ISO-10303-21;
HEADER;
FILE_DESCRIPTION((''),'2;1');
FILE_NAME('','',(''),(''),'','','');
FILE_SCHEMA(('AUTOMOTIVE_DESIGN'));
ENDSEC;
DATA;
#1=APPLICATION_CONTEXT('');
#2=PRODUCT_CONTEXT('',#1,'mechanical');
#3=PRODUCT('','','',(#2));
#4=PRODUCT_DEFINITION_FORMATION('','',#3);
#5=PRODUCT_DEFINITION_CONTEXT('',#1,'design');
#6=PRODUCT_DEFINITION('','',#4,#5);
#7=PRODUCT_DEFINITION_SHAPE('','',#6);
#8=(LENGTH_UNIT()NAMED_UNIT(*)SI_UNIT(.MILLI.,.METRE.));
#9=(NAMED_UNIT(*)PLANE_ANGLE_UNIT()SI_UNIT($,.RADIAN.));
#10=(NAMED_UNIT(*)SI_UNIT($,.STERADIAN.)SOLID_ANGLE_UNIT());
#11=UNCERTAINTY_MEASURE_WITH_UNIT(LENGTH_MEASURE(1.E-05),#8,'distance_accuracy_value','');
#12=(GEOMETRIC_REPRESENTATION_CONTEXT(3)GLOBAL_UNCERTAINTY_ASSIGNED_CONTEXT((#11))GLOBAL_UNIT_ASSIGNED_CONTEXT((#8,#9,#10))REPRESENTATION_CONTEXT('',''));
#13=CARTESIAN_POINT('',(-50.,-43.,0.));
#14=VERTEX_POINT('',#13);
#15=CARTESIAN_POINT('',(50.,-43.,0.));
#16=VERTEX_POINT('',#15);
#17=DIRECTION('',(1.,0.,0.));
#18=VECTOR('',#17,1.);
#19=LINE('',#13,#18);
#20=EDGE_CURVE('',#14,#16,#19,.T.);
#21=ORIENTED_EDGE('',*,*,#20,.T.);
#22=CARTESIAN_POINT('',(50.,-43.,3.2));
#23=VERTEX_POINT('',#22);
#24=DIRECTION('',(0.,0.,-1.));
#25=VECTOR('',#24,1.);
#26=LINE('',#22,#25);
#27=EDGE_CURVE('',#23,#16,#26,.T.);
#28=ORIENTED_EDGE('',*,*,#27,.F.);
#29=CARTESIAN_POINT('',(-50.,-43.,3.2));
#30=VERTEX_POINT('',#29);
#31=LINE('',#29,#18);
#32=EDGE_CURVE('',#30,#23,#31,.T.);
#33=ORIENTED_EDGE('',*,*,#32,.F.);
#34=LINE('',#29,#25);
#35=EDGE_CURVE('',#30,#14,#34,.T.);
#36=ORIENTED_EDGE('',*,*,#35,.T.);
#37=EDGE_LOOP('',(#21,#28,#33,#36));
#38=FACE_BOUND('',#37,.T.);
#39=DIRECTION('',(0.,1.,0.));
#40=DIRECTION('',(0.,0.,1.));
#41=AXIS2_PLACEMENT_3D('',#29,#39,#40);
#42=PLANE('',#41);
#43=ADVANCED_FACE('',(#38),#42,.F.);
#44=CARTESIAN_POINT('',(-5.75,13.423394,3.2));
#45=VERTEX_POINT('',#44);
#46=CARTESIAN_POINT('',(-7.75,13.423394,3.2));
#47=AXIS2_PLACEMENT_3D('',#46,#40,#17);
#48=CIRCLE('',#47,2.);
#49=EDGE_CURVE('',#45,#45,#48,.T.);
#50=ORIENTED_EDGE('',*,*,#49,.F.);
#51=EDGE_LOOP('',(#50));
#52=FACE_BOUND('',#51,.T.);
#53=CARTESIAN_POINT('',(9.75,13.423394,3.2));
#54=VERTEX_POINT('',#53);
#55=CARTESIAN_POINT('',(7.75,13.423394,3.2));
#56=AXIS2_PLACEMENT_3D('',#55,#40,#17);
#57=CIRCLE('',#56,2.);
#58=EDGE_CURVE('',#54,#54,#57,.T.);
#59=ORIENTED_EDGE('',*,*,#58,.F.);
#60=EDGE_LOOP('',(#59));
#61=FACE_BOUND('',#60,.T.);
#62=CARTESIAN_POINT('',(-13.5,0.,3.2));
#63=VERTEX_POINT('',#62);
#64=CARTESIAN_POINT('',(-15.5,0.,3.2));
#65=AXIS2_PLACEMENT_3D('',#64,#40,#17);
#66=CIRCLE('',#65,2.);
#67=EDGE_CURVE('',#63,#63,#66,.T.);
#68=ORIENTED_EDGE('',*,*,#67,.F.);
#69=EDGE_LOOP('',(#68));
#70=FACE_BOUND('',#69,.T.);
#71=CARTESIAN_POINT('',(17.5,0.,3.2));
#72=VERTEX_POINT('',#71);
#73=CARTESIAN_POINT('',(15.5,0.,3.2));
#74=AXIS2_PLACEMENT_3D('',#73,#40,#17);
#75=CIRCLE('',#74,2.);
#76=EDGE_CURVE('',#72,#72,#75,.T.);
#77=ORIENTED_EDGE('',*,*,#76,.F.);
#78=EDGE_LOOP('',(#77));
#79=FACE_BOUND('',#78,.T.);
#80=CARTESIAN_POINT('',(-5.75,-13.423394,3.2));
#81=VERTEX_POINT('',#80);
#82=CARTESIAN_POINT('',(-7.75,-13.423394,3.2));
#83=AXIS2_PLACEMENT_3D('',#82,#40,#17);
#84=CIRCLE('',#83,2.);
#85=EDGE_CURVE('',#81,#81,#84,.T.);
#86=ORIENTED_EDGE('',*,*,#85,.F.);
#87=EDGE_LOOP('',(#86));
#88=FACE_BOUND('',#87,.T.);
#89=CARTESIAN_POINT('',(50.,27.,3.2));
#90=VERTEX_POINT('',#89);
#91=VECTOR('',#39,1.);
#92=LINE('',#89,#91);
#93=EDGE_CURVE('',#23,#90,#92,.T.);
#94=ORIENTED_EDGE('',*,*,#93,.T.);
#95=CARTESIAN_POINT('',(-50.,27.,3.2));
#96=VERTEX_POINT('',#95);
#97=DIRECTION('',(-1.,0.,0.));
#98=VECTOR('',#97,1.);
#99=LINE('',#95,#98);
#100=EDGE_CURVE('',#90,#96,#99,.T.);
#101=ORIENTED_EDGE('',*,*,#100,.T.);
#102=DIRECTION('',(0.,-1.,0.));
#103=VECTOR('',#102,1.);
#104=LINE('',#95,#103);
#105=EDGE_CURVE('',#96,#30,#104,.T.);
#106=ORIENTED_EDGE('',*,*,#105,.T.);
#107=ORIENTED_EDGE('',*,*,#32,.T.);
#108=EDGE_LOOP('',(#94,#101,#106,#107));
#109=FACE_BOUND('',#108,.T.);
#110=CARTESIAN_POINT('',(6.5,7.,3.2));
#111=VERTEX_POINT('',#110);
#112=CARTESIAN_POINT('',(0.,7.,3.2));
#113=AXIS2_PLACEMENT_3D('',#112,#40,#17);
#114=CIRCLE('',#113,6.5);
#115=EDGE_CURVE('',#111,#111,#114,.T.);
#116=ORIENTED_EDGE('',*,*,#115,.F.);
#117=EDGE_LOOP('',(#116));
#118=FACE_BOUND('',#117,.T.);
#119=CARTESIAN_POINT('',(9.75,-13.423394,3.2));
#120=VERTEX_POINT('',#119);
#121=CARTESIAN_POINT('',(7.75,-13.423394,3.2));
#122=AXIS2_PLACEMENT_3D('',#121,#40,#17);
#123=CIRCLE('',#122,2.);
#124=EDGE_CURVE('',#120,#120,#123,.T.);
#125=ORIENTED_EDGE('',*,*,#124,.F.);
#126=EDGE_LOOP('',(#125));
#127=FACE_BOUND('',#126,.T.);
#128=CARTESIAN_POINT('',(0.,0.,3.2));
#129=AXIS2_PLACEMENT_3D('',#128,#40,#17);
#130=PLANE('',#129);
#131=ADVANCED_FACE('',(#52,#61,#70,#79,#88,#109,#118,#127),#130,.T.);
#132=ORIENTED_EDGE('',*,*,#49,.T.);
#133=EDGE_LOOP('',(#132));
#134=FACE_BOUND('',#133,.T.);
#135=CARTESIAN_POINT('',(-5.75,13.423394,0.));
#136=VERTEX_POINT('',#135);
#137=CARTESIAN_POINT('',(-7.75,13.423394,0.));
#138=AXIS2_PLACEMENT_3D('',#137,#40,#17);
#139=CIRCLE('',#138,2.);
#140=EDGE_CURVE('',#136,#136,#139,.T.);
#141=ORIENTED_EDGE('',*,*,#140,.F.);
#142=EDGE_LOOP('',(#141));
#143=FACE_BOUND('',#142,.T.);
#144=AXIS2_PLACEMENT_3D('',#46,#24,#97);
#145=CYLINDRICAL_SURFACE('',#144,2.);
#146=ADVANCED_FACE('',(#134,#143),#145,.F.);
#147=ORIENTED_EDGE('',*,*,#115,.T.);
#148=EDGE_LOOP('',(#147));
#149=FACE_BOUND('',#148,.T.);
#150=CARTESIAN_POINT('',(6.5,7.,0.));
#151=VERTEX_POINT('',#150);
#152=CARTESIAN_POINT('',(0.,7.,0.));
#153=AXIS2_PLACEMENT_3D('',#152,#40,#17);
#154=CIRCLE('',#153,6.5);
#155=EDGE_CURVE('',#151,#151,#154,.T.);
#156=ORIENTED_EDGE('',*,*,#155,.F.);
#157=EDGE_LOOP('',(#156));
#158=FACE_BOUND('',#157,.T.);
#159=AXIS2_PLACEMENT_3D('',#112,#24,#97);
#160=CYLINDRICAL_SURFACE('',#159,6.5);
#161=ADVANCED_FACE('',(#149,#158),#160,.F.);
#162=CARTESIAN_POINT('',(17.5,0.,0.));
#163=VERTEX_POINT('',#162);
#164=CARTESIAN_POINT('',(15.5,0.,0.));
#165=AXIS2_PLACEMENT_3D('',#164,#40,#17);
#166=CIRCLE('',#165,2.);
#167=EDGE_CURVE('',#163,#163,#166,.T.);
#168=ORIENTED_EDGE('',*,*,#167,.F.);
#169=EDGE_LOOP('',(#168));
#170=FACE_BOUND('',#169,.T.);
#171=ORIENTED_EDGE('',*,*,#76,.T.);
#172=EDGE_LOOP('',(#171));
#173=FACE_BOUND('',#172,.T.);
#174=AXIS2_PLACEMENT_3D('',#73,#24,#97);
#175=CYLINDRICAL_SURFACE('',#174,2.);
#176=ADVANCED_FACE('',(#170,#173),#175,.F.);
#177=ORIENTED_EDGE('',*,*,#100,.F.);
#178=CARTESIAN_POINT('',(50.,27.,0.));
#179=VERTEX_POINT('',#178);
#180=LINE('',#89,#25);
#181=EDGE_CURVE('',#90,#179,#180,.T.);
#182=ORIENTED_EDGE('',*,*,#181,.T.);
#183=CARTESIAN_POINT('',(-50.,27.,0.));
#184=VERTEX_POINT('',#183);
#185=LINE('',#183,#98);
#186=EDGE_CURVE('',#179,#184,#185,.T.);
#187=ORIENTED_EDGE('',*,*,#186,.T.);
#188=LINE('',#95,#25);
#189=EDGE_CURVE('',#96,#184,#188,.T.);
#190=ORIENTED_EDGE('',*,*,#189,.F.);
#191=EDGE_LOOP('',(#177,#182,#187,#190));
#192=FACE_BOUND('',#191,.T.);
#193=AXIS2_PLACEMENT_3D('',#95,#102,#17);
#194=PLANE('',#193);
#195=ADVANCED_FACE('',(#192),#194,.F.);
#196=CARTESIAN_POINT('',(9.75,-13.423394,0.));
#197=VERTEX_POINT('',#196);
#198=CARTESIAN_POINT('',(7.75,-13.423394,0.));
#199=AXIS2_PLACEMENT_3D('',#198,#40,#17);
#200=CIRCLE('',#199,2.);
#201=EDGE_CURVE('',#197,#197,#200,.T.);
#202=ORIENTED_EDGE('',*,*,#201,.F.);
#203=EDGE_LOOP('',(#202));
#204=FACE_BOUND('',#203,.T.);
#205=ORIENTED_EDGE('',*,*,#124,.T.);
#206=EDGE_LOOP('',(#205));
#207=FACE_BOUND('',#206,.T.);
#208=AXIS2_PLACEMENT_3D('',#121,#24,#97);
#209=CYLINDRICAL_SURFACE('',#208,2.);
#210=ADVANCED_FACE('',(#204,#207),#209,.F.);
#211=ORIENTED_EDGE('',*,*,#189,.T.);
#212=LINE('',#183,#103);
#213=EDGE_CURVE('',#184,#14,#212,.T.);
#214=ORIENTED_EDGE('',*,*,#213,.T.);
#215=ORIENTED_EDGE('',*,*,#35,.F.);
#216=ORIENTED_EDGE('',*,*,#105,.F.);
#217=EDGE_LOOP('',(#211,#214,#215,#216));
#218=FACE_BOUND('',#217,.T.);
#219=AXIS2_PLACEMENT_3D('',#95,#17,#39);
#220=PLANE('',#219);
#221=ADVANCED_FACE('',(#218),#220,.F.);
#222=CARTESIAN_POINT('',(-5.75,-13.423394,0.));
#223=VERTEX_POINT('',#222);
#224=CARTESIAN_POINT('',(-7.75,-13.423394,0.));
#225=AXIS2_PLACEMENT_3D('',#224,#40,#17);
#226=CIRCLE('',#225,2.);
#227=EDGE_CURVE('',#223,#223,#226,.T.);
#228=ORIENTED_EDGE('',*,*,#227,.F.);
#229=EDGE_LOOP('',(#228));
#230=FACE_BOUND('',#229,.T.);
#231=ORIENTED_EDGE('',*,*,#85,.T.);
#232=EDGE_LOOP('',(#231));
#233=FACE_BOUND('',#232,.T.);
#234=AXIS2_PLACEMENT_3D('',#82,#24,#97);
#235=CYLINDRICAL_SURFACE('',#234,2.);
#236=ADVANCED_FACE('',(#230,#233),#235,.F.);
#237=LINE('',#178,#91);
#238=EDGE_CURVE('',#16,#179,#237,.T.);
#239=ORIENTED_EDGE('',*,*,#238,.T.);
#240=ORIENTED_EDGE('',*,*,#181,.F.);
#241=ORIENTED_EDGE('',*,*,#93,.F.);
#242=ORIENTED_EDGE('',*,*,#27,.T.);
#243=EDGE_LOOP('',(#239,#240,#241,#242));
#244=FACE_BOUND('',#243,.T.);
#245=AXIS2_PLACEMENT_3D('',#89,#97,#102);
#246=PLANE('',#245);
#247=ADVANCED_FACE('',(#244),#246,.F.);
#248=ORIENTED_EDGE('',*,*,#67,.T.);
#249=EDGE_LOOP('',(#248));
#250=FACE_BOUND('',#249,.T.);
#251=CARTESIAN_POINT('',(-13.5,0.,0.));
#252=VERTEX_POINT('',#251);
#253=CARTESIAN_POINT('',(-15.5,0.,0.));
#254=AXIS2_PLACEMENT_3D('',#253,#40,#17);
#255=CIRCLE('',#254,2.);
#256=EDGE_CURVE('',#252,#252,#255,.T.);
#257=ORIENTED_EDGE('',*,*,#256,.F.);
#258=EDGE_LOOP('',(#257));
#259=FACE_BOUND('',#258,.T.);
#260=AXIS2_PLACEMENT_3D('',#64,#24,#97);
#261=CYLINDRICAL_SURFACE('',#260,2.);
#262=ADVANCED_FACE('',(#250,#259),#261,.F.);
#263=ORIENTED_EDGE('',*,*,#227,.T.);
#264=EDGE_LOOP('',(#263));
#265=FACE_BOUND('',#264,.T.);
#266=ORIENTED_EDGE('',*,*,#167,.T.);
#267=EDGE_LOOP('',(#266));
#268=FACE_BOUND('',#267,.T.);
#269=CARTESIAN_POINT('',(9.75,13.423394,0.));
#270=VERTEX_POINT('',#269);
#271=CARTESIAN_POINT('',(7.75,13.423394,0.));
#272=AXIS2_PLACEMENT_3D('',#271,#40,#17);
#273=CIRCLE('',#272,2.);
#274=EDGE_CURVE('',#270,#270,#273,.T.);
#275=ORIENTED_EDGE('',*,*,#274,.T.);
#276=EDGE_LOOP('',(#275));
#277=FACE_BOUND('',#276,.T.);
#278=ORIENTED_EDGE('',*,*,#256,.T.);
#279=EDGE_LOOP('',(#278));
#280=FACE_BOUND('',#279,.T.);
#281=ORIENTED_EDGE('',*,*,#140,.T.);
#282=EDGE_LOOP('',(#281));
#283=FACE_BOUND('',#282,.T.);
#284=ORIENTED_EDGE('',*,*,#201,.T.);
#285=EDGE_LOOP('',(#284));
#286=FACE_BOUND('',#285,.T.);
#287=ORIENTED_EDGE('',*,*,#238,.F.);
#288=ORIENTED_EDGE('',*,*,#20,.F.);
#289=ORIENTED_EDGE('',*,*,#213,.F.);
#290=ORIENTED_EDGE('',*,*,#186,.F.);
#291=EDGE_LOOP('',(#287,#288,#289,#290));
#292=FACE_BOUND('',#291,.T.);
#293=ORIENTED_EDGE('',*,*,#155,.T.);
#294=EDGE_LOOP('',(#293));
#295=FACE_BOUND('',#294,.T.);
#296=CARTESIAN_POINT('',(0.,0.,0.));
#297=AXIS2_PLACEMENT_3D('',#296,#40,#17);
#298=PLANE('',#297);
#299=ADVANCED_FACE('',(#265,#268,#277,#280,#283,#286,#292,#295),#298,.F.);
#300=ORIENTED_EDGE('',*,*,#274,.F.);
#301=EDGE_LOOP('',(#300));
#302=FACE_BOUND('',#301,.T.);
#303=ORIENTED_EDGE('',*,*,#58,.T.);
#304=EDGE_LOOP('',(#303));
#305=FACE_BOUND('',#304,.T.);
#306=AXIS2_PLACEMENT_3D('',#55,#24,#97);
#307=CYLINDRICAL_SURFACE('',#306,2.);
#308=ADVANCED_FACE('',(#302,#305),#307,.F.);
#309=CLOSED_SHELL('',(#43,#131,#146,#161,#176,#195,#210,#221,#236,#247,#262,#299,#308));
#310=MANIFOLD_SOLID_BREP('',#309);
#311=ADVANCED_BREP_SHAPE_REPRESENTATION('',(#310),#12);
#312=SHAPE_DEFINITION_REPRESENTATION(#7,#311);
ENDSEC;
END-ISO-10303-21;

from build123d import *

# Parameters (mm, degrees)
SKETCH_1_W      = 100
SKETCH_1_H      = 70
SKETCH_1_R      = 2
SKETCH_1_R_2    = 6.5
EXTRUDE_2_DEPTH = 3.2


with BuildPart() as part:
    # Эскиз1 → Бобышка-Вытянуть2 (new body)
    with BuildSketch(Plane.XY):
        with Locations((0, -8)):
            Rectangle(SKETCH_1_W, SKETCH_1_H)
        with Locations((7.75, -13.423393759)):
            Circle(SKETCH_1_R, mode=Mode.SUBTRACT)
        with Locations((-7.75, -13.423393759)):
            Circle(SKETCH_1_R, mode=Mode.SUBTRACT)
        with Locations((-15.5, 0)):
            Circle(SKETCH_1_R, mode=Mode.SUBTRACT)
        with Locations((-7.75, 13.423393759)):
            Circle(SKETCH_1_R, mode=Mode.SUBTRACT)
        with Locations((7.75, 13.423393759)):
            Circle(SKETCH_1_R, mode=Mode.SUBTRACT)
        with Locations((15.5, 0)):
            Circle(SKETCH_1_R, mode=Mode.SUBTRACT)
        with Locations((0, 7)):
            Circle(SKETCH_1_R_2, mode=Mode.SUBTRACT)
    extrude(amount=EXTRUDE_2_DEPTH)


solid = part.part
